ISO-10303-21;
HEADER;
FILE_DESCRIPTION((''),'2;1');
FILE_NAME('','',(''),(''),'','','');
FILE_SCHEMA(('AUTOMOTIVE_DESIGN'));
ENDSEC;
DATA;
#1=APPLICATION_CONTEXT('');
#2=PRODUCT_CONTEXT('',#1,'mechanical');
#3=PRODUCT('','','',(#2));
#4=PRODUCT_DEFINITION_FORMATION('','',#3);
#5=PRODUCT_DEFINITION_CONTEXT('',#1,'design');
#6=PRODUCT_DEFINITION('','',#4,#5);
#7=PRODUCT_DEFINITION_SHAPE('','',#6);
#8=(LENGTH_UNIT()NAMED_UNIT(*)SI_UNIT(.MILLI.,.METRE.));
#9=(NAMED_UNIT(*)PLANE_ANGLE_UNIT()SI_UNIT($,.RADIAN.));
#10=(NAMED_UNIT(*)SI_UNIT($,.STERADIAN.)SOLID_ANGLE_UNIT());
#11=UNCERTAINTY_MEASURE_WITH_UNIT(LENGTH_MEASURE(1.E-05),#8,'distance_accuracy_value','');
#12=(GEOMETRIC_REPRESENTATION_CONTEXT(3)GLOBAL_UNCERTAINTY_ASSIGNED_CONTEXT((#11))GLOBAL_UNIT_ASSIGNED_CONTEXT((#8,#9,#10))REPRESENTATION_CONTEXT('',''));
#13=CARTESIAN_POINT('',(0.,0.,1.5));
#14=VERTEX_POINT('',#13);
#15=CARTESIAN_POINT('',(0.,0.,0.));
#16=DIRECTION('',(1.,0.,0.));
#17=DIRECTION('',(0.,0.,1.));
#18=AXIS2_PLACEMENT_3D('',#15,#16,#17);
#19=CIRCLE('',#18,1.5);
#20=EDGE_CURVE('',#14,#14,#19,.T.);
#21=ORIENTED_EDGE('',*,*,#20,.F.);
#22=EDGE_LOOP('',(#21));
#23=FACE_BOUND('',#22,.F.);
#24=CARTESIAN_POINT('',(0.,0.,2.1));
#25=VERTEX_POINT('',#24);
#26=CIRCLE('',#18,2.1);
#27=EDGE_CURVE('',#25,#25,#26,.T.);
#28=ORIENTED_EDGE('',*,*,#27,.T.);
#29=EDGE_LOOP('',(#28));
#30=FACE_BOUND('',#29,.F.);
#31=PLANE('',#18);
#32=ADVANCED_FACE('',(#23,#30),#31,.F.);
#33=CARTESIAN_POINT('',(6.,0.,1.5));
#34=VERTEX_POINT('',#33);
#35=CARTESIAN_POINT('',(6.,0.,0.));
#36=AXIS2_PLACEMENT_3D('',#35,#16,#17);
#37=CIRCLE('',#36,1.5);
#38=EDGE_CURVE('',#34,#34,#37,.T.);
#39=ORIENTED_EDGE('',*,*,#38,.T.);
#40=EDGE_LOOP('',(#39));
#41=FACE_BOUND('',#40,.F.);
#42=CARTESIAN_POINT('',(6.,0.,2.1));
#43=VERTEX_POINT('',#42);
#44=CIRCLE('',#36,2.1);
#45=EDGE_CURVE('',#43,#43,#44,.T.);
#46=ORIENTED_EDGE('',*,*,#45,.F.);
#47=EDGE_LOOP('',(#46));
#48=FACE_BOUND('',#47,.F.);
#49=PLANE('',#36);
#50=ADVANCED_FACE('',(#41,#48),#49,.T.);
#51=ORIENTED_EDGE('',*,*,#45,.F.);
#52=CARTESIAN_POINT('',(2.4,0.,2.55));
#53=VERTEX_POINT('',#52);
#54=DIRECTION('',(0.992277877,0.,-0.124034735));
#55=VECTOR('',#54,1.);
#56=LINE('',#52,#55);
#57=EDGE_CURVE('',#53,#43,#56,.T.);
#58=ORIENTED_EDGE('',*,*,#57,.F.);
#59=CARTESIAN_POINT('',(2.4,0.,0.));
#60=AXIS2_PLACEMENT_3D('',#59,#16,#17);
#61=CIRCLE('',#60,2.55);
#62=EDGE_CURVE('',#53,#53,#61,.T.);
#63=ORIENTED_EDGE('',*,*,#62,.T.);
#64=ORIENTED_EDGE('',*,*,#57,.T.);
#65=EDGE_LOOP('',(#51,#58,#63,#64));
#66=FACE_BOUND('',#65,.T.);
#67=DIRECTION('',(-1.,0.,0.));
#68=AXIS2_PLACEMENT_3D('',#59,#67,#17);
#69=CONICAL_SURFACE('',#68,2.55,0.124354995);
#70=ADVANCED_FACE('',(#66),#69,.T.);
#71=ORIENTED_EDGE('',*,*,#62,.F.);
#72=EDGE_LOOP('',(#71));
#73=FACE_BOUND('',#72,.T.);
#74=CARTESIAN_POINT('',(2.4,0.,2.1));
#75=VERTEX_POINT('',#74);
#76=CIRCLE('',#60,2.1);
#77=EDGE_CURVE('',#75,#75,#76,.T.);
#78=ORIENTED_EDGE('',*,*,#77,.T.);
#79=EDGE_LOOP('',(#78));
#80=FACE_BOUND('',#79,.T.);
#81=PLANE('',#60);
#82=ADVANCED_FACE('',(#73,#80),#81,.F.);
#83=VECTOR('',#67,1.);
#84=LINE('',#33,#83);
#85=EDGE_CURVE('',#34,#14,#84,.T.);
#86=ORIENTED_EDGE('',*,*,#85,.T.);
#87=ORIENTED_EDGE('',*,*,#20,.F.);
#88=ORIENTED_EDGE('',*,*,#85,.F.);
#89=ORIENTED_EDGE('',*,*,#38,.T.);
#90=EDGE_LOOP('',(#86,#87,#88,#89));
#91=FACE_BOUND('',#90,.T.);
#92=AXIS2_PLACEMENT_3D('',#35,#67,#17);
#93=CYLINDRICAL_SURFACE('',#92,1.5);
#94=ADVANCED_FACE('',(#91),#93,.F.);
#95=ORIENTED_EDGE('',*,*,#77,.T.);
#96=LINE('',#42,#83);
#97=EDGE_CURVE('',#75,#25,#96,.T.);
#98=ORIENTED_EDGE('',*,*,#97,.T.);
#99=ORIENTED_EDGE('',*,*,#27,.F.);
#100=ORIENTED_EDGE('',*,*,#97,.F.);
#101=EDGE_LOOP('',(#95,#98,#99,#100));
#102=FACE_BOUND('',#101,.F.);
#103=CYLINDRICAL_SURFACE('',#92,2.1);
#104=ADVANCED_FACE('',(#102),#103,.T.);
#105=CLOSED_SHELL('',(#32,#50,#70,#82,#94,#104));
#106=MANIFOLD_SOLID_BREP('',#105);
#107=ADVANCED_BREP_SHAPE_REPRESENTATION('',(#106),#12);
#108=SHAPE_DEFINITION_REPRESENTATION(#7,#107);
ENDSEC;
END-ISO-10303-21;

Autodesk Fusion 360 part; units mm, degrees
sketch "Sketch1" plane through (0, 0, 0) normal (0, 1, 0) x (1, 0, 0)
  line L0 (0, 0) -> (6, 0)
  line L1 (6, 0) -> (6, -1.5)
  line L2 (6, -1.5) -> (0, -1.5)
  line L3 (0, -1.5) -> (0, 0)
  line L4 (0, 0) -> (6, 0)
  line L5 (6, 0) -> (6, -2.1)
  line L6 (6, -2.1) -> (0, -2.1)
  line L7 (0, -2.1) -> (0, 0)
  line L8 (6, -2.1) -> (2.4, -2.1)
  line L9 (2.4, -2.1) -> (2.4, -2.55)
  line L10 (2.4, -2.55) -> (6, -2.1)
  dimension "d4" = 6
  dimension "d5" = 1.5
  dimension "d6" = 6
  dimension "d7" = 2.1
  dimension "d11" = 3.6
  dimension "d12" = 0.45
revolve "Revolve1" add sketch "Sketch1" angle 360 about axis through (0, 0, 0) along (1, 0, 0) contours L2 L5 L6 L7 L8 | L6 L8 L9 L10
equation "Barbless_OD = 3 mm"
equation "minWallThickness = 0.6 mm"
equation "Barbless_Length = 6 mm"
equation "d4 = Barbless_Length"
equation "d5 = Barbless_OD / 2"
equation "d6 = Barbless_Length"
equation "d7 = Barbless_OD / 2 + minWallThickness"
equation "Barb_FLength = 3.6 mm"
equation "Barb_FD = 4.5 mm"
equation "Barb_FE = Barb_FD - ( Barbless_Length / 2 + minWallThickness )"
equation "d11 = Barb_FLength"
equation "d12 = Barb_FE / 2"
